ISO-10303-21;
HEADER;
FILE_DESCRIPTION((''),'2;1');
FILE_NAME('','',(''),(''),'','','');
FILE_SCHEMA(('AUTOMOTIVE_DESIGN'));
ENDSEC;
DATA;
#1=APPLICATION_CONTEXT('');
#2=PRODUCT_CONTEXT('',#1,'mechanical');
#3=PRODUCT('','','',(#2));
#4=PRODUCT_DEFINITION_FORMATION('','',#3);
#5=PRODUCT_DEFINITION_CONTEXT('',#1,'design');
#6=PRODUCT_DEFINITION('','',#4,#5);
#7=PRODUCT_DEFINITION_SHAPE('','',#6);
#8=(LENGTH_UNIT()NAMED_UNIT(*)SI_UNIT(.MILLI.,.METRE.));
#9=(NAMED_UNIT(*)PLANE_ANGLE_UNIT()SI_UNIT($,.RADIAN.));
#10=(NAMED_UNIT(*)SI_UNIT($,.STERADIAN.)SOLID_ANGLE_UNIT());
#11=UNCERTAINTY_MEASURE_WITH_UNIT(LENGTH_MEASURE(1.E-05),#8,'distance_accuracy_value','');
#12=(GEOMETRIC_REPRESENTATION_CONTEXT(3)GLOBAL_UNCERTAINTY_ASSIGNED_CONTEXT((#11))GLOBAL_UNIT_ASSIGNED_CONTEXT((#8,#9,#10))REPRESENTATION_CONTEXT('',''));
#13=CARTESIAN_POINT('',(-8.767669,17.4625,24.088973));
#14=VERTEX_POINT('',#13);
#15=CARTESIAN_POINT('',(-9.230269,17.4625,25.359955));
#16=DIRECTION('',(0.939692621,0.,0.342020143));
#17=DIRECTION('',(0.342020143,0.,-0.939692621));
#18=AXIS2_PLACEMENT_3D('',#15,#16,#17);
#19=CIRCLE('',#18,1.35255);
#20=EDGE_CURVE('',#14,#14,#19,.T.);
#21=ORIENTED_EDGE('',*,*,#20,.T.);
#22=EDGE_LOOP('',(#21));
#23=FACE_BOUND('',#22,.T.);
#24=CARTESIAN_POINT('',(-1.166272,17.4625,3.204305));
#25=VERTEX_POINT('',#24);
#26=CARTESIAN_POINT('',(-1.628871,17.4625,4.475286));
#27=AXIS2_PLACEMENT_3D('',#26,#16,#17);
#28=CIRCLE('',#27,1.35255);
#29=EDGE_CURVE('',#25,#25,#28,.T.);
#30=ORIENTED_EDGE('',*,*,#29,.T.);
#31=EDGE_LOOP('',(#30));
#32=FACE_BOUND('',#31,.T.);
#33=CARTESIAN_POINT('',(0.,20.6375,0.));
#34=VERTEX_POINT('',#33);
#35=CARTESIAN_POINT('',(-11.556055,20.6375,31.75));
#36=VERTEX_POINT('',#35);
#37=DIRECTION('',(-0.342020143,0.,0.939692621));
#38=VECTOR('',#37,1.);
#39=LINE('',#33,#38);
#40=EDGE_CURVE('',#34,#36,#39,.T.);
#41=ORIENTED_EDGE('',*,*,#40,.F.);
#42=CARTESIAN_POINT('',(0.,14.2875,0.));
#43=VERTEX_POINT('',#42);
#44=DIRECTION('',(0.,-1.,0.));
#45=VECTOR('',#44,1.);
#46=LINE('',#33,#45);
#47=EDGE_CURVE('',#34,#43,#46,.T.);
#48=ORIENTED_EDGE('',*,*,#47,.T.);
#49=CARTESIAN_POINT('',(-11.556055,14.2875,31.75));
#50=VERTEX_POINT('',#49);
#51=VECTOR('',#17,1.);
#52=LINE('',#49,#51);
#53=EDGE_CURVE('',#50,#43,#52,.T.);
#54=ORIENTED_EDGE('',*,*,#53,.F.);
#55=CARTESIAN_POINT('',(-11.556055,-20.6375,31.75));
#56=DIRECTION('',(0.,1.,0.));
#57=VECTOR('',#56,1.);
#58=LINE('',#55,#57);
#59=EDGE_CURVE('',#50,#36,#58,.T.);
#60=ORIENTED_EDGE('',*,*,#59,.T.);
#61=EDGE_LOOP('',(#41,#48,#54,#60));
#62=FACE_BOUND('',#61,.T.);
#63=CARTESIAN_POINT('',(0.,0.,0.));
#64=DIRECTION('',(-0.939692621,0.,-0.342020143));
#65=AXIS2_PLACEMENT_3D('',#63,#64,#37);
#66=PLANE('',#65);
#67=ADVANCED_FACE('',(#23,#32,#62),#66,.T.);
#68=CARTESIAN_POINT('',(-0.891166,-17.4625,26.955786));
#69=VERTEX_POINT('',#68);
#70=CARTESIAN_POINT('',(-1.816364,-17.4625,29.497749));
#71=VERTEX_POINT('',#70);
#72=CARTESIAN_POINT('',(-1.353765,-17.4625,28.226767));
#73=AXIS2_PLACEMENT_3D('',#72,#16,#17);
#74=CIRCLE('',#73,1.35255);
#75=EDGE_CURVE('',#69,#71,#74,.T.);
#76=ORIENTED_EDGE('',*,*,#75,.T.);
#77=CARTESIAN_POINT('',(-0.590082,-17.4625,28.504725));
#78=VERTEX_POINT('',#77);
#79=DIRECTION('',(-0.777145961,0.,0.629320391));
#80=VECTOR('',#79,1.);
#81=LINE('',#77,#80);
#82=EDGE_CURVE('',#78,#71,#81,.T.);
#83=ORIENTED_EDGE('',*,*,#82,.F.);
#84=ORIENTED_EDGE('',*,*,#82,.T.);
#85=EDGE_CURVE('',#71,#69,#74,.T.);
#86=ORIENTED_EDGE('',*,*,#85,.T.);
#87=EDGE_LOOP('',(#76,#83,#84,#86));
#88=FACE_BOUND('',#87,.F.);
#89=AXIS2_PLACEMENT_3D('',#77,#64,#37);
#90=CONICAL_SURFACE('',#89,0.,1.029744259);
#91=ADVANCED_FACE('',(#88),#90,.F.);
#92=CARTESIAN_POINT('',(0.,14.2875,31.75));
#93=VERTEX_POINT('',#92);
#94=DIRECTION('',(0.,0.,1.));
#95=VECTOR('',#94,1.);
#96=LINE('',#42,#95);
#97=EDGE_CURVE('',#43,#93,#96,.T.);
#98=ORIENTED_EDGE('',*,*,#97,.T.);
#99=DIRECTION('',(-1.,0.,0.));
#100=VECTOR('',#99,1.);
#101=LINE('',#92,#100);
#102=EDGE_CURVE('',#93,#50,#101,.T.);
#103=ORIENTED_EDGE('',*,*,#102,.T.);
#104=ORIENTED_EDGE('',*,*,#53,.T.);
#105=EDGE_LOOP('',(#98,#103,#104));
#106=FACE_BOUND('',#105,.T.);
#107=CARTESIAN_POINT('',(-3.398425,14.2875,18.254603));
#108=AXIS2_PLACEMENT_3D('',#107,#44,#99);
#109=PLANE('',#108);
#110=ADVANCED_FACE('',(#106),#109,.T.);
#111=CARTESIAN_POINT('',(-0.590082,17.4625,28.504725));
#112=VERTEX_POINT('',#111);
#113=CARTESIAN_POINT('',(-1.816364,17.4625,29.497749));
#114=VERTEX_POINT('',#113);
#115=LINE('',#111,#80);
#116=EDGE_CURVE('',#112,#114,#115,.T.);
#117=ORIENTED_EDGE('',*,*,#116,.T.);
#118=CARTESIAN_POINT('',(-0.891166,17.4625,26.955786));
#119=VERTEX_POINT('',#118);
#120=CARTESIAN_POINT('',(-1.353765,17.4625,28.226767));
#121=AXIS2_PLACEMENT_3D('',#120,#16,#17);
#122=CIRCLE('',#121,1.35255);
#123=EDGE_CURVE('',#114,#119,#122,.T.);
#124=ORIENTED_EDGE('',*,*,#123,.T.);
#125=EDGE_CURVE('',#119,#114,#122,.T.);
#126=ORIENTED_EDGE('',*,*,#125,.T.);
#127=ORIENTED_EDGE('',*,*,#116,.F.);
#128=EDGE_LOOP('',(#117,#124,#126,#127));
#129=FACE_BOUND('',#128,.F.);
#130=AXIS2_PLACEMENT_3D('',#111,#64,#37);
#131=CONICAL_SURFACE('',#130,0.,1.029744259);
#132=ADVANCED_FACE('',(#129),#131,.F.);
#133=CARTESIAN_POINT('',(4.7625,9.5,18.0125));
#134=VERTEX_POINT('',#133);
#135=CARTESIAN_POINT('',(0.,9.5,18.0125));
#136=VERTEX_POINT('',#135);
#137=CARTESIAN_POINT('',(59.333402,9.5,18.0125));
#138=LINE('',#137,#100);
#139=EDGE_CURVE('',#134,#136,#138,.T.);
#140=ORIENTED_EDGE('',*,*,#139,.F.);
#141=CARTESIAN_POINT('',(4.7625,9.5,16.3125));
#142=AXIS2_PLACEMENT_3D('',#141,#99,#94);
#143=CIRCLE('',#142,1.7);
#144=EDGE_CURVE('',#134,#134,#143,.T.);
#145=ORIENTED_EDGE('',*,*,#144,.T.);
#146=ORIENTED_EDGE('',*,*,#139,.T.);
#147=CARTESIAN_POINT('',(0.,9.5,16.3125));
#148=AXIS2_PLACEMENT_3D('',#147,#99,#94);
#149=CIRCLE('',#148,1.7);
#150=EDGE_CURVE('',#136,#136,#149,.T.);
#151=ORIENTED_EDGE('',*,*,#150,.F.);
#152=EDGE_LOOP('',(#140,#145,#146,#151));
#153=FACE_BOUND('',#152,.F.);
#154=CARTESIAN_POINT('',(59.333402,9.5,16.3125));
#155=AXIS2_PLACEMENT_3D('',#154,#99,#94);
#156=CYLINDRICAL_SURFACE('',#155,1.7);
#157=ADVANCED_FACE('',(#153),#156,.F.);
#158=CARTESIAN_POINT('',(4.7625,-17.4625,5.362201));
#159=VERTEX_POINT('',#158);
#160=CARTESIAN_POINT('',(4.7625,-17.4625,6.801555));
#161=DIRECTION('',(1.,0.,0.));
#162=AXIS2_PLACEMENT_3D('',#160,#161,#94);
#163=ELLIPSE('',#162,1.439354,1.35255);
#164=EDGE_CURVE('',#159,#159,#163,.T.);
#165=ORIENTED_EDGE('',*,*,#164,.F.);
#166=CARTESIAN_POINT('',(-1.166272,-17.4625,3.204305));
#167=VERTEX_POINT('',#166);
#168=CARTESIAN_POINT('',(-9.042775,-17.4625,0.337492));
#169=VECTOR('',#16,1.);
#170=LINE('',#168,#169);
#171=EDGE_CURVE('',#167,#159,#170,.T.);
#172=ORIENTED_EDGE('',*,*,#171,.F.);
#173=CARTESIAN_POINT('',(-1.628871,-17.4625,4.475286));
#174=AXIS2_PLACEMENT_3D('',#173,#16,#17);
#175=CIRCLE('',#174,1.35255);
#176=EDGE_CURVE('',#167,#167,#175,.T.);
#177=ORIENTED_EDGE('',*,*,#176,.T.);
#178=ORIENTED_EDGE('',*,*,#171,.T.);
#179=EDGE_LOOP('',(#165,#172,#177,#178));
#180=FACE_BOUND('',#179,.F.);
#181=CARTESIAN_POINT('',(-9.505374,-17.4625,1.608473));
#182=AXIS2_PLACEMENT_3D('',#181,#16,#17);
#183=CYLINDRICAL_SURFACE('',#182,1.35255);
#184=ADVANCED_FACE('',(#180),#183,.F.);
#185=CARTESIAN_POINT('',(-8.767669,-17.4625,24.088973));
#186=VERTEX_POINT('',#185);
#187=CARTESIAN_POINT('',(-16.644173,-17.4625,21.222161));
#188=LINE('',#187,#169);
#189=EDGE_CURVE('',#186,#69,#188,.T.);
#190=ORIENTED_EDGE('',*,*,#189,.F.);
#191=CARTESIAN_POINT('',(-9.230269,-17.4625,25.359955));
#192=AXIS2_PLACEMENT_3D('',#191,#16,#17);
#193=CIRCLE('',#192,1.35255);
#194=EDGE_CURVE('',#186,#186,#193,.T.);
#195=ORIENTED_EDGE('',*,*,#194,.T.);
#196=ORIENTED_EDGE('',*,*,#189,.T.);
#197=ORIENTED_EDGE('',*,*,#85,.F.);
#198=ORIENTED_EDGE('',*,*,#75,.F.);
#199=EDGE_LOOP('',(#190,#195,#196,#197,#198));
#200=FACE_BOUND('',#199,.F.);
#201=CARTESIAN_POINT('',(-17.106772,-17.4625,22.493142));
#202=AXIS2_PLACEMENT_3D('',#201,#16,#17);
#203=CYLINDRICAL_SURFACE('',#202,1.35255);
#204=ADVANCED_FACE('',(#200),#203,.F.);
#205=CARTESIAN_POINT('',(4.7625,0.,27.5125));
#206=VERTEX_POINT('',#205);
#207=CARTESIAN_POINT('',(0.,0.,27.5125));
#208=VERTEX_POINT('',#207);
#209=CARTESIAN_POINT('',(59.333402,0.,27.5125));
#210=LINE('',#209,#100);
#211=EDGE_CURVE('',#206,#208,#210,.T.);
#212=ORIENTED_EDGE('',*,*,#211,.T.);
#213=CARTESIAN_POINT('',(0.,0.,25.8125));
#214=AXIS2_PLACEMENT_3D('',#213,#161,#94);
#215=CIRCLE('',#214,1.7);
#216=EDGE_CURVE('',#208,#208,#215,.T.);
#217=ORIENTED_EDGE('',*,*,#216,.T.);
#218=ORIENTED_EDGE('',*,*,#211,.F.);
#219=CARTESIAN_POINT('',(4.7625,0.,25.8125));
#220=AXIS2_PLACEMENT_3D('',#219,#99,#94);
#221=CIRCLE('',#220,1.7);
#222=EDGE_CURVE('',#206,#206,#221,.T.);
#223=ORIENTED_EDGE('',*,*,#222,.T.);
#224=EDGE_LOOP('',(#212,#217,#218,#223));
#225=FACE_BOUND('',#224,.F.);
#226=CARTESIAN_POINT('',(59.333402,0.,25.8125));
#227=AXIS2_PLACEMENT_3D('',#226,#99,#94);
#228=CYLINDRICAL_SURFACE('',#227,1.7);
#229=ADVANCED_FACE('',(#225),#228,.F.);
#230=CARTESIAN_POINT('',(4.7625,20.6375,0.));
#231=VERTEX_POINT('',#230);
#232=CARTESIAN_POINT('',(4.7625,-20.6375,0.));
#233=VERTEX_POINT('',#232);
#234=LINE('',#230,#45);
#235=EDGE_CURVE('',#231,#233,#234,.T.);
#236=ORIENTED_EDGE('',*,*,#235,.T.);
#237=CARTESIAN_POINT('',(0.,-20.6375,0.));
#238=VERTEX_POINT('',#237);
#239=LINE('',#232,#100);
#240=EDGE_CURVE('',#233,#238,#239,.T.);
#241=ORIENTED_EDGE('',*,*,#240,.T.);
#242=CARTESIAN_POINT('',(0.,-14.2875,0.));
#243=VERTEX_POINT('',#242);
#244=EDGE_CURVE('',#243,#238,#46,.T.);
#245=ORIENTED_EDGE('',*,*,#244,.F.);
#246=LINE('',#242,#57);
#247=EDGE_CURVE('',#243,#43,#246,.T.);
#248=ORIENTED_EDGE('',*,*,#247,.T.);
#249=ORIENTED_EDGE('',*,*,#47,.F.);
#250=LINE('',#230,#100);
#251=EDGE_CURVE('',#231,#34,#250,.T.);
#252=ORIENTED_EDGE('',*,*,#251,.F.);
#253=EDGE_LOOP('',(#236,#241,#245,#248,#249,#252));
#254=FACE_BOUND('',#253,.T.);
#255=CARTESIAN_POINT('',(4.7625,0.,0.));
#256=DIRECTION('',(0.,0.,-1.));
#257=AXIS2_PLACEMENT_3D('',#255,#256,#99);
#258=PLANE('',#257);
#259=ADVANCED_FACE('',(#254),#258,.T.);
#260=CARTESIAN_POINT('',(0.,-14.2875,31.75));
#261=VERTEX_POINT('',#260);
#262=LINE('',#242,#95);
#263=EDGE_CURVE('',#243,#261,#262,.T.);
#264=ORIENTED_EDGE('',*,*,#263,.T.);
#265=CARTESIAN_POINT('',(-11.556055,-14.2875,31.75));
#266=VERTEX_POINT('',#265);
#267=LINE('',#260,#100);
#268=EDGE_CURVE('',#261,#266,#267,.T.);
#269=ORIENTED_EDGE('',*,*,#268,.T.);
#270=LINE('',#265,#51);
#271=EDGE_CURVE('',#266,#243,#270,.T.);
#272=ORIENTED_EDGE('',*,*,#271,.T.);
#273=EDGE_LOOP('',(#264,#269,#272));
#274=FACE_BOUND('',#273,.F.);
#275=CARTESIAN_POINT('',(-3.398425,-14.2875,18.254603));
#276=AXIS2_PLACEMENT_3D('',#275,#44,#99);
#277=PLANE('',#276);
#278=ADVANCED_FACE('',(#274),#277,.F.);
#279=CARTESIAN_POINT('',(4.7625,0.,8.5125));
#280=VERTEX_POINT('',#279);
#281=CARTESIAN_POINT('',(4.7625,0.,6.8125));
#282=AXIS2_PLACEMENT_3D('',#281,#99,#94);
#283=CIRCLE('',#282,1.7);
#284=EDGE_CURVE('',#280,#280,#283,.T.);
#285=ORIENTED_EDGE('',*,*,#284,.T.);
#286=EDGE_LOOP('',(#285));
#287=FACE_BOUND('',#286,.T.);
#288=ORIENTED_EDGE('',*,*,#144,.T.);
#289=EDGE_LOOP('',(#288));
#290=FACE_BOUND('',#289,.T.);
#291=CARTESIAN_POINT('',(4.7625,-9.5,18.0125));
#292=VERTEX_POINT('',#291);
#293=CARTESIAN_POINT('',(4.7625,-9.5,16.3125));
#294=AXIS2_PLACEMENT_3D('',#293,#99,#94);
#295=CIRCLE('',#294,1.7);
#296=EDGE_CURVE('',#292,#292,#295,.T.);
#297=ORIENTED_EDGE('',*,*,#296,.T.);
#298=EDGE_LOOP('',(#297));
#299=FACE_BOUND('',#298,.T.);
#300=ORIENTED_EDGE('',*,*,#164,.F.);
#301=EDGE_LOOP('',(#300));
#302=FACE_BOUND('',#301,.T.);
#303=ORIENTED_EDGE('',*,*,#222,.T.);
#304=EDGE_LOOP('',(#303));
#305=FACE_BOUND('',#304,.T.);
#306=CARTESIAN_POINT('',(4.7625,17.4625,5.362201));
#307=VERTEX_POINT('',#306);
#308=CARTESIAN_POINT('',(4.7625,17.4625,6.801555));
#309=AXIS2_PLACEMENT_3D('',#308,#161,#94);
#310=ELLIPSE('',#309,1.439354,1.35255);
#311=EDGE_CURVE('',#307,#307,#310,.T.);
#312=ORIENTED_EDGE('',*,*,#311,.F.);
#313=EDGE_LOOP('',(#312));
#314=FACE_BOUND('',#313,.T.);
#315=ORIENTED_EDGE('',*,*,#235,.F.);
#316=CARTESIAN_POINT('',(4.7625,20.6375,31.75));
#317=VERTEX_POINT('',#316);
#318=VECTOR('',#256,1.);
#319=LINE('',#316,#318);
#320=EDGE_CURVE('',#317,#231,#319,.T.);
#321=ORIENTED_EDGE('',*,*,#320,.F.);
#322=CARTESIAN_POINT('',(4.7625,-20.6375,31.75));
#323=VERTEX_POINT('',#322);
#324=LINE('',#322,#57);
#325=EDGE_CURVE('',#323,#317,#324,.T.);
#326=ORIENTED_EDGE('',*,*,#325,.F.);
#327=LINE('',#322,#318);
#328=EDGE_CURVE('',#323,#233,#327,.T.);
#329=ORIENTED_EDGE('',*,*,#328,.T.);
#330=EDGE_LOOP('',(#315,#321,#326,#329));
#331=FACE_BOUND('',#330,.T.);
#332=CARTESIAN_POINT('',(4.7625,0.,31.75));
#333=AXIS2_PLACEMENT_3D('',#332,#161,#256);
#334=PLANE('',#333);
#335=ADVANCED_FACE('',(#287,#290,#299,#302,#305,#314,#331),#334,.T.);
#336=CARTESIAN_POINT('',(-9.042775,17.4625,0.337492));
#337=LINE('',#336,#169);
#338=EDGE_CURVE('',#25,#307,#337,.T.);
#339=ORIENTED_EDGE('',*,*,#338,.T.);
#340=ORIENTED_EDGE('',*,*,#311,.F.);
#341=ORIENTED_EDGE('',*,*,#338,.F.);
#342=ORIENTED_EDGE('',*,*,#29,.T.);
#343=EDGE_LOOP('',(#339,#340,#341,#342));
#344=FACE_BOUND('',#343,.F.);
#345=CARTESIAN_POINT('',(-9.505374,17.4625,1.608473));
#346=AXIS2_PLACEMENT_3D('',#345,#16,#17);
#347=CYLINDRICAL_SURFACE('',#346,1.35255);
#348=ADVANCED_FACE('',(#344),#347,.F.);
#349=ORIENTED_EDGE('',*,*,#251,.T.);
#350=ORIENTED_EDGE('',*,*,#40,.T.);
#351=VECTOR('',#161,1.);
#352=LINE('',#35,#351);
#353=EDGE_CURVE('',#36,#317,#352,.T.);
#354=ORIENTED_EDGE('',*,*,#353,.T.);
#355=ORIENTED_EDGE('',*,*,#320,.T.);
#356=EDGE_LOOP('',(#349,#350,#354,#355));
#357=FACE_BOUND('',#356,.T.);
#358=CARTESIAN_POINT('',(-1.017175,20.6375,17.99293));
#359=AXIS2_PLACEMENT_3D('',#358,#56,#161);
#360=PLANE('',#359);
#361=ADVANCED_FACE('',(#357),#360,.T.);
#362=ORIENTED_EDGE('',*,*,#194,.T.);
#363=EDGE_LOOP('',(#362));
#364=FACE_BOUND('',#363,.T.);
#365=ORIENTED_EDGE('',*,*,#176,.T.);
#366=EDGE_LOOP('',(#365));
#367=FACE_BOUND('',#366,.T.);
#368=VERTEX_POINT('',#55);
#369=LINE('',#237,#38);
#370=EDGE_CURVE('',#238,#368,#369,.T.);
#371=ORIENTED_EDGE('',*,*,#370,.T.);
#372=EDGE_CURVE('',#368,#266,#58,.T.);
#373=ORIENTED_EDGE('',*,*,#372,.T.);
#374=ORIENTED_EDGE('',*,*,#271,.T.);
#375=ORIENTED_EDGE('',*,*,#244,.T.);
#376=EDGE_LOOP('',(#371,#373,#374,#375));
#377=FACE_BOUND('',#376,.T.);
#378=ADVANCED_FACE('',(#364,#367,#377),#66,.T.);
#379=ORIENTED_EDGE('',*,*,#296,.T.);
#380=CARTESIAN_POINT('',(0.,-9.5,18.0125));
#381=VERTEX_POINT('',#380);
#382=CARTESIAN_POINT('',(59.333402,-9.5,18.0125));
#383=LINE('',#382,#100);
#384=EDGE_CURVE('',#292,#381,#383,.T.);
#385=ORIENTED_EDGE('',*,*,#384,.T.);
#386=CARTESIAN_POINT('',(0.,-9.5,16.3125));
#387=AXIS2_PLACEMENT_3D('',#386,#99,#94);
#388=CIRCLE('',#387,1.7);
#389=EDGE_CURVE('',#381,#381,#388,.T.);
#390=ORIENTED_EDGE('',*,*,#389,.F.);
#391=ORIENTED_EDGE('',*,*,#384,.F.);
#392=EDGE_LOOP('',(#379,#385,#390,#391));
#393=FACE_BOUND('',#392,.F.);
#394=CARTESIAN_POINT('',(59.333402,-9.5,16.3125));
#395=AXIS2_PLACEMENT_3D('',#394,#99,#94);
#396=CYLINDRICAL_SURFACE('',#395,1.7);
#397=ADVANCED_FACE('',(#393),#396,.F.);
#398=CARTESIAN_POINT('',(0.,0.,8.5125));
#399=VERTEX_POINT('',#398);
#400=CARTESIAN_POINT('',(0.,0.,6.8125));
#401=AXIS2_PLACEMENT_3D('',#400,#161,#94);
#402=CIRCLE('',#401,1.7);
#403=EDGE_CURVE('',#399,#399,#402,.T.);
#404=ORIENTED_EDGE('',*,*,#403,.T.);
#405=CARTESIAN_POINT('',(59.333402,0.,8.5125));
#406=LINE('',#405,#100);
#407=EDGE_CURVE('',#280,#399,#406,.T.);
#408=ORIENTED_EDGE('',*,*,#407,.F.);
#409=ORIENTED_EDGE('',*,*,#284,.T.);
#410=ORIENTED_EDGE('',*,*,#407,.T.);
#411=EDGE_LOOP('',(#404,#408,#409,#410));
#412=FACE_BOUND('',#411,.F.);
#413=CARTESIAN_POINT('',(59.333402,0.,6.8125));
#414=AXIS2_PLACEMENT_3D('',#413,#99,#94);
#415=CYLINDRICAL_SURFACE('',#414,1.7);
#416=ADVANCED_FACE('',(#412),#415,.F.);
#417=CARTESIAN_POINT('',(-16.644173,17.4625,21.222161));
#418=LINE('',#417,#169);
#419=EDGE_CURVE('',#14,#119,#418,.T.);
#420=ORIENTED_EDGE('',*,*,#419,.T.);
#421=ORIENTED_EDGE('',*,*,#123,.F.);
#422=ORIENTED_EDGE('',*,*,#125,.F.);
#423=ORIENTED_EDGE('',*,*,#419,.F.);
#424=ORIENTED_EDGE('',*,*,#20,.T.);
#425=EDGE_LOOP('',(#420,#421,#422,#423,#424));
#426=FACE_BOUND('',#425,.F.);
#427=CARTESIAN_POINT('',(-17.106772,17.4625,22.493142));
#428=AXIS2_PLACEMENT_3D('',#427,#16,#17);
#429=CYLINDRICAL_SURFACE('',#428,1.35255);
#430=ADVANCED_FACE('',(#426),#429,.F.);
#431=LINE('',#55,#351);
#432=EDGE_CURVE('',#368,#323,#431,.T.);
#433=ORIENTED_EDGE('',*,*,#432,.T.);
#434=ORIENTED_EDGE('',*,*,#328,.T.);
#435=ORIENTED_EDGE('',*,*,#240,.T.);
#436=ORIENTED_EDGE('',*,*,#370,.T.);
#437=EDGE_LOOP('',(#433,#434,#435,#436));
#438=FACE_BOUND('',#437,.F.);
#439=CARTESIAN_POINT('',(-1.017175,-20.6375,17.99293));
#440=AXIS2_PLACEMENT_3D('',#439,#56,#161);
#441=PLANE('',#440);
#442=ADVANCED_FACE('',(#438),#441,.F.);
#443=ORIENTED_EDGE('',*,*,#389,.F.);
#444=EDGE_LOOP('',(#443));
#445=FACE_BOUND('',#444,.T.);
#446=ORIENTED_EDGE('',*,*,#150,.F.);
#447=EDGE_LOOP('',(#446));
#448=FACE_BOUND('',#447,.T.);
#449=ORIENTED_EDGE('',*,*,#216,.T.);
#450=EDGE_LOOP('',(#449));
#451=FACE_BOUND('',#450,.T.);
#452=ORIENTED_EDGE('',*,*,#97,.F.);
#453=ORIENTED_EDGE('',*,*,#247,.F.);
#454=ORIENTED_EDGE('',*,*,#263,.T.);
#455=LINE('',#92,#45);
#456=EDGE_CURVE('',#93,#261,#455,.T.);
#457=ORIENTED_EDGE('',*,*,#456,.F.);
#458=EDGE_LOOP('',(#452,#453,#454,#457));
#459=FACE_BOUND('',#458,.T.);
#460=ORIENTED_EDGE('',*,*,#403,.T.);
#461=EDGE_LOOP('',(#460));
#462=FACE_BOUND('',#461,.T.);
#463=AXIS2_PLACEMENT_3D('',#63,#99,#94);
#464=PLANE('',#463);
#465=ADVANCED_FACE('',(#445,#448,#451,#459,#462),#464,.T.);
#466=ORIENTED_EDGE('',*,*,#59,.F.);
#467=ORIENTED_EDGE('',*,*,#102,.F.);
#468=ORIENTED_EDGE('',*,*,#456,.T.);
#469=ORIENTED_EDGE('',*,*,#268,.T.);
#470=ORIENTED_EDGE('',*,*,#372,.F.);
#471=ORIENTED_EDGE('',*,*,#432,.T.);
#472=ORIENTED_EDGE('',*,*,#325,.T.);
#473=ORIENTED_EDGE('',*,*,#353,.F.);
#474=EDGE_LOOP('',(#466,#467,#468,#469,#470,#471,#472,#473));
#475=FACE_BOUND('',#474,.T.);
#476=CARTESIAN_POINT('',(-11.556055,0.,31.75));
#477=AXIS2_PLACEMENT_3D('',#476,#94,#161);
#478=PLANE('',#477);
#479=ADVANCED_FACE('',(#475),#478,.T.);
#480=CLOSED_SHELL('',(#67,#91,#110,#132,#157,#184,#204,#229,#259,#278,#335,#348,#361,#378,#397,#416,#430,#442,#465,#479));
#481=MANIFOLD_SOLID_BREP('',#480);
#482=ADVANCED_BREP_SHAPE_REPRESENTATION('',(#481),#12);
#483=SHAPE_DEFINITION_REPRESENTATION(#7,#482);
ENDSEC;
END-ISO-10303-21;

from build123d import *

# Parameters (mm, degrees)
BOSS_EXTRUDE1_DEPTH       = 20.6375
M3_CLEARANCE_HOLE1_D      = 3.4
CUT_EXTRUDE1_DEPTH        = 14.2875
CUT_EXTRUDE1_DEPTH_BACK   = 14.2875
F_6_32_TAPPED_HOLE1_D     = 2.7051
F_6_32_TAPPED_HOLE1_DEPTH = 8.382
F_6_32_TAPPED_HOLE1_TIP   = 0.81269403


with BuildPart() as part:
    # Sketch1 → Boss-Extrude1 (new body, symmetric)
    with BuildSketch(Plane(origin=(0, 0, 0), x_dir=(1, 0, 0), z_dir=(0, 1, 0))):
        Polygon((0, 0), (-11.556054938, -31.75), (4.7625, -31.75), (4.7625, 0), align=None)
    extrude(amount=BOSS_EXTRUDE1_DEPTH, both=True)

    # M3 Clearance Hole1 (through all)
    with Locations(Plane(origin=(4.7625, 0, 0), x_dir=(0, 0, -1), z_dir=(1, 0, 0))):
        with Locations((-16.3125, 9.5), (-6.8125, 0), (-16.3125, -9.5), (-25.8125, 0)):
            Hole(M3_CLEARANCE_HOLE1_D / 2)

    # Sketch15 → Cut-Extrude1 (cut, two sides)
    with BuildSketch(Plane(origin=(0, 0, 0), x_dir=(1, 0, 0), z_dir=(0, 1, 0))) as cut_extrude1_sk:
        Polygon((-11.556054938, -31.75), (0, 0), (0, -31.75), align=None)
    extrude(amount=CUT_EXTRUDE1_DEPTH, mode=Mode.SUBTRACT)
    extrude(cut_extrude1_sk.sketch, amount=-CUT_EXTRUDE1_DEPTH_BACK, mode=Mode.SUBTRACT)

    # #6-32 Tapped Hole1
    with Locations(Plane(origin=(0, 0, 0), x_dir=(-0.342020143, 0, 0.939692621), z_dir=(-0.939692621, 0, -0.342020143))):
        with Locations((4.7625, 17.4625), (26.9875, 17.4625), (26.9875, -17.4625), (4.7625, -17.4625)):
            Hole(F_6_32_TAPPED_HOLE1_D / 2, depth=F_6_32_TAPPED_HOLE1_DEPTH)
            with Locations((0, 0, -(F_6_32_TAPPED_HOLE1_DEPTH + F_6_32_TAPPED_HOLE1_TIP / 2))):  # 118° drill point
                Cone(0, F_6_32_TAPPED_HOLE1_D / 2, F_6_32_TAPPED_HOLE1_TIP, mode=Mode.SUBTRACT)


solid = part.part
